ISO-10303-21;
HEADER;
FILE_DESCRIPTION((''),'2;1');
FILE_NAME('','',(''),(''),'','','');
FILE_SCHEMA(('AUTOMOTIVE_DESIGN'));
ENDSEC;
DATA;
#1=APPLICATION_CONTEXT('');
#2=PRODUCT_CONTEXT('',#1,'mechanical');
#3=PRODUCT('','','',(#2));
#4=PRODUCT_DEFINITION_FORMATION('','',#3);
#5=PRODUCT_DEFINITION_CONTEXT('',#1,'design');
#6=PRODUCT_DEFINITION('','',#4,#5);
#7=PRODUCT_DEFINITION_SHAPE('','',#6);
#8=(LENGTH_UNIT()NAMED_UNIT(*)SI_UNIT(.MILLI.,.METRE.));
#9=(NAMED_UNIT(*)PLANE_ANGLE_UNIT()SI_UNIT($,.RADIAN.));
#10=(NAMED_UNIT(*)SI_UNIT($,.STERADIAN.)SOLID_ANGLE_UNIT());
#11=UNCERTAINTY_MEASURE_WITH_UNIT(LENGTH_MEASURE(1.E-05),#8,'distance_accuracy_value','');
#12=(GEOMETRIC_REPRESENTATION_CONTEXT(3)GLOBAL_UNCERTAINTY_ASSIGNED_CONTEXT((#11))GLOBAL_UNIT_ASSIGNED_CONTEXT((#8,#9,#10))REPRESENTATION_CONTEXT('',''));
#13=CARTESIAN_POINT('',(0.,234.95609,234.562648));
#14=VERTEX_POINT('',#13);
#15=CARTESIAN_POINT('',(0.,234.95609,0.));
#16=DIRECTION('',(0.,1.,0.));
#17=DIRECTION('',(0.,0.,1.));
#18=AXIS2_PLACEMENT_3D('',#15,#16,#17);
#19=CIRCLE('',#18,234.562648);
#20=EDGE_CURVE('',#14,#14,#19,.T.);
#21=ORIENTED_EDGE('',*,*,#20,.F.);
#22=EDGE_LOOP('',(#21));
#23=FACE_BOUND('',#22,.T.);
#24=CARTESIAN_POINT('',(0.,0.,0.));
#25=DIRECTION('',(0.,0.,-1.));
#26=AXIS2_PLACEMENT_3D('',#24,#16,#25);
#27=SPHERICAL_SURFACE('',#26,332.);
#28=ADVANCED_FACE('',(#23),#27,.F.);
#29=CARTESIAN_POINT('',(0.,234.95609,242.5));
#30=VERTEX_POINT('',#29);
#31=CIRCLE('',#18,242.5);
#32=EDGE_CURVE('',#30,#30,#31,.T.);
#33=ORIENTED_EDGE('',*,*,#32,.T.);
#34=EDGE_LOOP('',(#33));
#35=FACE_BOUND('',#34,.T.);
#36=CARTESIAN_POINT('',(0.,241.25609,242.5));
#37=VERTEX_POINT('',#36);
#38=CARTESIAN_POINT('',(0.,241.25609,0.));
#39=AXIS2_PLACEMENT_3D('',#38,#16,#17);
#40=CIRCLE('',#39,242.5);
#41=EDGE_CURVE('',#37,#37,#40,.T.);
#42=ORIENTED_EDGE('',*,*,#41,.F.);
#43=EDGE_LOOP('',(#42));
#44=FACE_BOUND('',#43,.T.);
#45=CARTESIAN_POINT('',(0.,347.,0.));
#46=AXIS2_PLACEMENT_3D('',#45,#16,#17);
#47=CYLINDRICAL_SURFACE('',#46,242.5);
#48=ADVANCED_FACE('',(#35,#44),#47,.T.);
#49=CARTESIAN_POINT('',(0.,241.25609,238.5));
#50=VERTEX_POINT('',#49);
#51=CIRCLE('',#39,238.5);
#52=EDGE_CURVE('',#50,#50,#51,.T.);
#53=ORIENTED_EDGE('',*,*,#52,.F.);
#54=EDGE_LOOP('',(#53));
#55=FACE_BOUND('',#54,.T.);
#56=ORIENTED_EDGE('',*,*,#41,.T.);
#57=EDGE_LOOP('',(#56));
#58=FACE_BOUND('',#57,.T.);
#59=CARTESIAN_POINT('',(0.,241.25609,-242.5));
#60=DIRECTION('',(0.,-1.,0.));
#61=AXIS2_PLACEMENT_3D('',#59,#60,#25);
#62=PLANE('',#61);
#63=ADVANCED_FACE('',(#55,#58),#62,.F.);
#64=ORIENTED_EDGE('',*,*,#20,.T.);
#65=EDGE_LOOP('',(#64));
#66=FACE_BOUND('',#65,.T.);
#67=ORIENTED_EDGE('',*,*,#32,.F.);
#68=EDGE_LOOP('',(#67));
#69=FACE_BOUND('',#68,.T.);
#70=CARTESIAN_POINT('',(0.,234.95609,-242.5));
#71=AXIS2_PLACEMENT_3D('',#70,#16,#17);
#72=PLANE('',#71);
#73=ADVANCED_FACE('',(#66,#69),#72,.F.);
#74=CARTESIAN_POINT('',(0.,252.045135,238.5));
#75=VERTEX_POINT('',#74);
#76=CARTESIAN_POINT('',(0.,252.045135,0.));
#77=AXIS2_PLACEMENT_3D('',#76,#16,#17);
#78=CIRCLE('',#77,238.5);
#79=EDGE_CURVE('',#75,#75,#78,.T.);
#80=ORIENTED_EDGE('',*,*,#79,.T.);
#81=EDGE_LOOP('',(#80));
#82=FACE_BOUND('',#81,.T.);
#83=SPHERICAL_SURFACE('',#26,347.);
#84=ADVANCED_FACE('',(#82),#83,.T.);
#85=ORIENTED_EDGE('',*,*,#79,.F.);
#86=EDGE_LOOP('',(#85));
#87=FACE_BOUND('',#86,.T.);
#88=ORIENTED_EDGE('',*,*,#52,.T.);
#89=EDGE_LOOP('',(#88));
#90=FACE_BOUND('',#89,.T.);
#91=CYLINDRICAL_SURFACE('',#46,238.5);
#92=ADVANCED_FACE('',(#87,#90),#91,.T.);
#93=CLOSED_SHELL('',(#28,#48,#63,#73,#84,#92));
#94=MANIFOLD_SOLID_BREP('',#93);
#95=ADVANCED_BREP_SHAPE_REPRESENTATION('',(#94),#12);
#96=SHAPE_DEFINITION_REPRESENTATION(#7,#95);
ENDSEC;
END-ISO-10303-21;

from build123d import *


with BuildPart() as part:
    # Sketch2 → Revolve1 (revolve)
    with BuildSketch(Plane(origin=(0, 0, 0), x_dir=(0, 0, -1), z_dir=(1, 0, 0))):
        with BuildLine():
            Line((242.5, 236.958329575), (242.5, 241.2560898))
            Line((242.5, 241.2560898), (238.5, 241.2560898))
            Line((238.5, 241.2560898), (238.5, 252.045134847))
            ThreePointArc((238.5, 252.045134847), (128.353687536, 322.388478231), (0, 347))
            Line((0, 347), (0, 332))
            ThreePointArc((0, 332), (126.922374282, 306.781210159), (234.562648062, 234.9560898))
            Line((234.562648062, 234.9560898), (242.5, 234.9560898))
            Line((242.5, 234.9560898), (242.5, 236.958329575))
        make_face()
    revolve(axis=Axis((0, 347, 0), (0, -1, 0)))


solid = part.part
